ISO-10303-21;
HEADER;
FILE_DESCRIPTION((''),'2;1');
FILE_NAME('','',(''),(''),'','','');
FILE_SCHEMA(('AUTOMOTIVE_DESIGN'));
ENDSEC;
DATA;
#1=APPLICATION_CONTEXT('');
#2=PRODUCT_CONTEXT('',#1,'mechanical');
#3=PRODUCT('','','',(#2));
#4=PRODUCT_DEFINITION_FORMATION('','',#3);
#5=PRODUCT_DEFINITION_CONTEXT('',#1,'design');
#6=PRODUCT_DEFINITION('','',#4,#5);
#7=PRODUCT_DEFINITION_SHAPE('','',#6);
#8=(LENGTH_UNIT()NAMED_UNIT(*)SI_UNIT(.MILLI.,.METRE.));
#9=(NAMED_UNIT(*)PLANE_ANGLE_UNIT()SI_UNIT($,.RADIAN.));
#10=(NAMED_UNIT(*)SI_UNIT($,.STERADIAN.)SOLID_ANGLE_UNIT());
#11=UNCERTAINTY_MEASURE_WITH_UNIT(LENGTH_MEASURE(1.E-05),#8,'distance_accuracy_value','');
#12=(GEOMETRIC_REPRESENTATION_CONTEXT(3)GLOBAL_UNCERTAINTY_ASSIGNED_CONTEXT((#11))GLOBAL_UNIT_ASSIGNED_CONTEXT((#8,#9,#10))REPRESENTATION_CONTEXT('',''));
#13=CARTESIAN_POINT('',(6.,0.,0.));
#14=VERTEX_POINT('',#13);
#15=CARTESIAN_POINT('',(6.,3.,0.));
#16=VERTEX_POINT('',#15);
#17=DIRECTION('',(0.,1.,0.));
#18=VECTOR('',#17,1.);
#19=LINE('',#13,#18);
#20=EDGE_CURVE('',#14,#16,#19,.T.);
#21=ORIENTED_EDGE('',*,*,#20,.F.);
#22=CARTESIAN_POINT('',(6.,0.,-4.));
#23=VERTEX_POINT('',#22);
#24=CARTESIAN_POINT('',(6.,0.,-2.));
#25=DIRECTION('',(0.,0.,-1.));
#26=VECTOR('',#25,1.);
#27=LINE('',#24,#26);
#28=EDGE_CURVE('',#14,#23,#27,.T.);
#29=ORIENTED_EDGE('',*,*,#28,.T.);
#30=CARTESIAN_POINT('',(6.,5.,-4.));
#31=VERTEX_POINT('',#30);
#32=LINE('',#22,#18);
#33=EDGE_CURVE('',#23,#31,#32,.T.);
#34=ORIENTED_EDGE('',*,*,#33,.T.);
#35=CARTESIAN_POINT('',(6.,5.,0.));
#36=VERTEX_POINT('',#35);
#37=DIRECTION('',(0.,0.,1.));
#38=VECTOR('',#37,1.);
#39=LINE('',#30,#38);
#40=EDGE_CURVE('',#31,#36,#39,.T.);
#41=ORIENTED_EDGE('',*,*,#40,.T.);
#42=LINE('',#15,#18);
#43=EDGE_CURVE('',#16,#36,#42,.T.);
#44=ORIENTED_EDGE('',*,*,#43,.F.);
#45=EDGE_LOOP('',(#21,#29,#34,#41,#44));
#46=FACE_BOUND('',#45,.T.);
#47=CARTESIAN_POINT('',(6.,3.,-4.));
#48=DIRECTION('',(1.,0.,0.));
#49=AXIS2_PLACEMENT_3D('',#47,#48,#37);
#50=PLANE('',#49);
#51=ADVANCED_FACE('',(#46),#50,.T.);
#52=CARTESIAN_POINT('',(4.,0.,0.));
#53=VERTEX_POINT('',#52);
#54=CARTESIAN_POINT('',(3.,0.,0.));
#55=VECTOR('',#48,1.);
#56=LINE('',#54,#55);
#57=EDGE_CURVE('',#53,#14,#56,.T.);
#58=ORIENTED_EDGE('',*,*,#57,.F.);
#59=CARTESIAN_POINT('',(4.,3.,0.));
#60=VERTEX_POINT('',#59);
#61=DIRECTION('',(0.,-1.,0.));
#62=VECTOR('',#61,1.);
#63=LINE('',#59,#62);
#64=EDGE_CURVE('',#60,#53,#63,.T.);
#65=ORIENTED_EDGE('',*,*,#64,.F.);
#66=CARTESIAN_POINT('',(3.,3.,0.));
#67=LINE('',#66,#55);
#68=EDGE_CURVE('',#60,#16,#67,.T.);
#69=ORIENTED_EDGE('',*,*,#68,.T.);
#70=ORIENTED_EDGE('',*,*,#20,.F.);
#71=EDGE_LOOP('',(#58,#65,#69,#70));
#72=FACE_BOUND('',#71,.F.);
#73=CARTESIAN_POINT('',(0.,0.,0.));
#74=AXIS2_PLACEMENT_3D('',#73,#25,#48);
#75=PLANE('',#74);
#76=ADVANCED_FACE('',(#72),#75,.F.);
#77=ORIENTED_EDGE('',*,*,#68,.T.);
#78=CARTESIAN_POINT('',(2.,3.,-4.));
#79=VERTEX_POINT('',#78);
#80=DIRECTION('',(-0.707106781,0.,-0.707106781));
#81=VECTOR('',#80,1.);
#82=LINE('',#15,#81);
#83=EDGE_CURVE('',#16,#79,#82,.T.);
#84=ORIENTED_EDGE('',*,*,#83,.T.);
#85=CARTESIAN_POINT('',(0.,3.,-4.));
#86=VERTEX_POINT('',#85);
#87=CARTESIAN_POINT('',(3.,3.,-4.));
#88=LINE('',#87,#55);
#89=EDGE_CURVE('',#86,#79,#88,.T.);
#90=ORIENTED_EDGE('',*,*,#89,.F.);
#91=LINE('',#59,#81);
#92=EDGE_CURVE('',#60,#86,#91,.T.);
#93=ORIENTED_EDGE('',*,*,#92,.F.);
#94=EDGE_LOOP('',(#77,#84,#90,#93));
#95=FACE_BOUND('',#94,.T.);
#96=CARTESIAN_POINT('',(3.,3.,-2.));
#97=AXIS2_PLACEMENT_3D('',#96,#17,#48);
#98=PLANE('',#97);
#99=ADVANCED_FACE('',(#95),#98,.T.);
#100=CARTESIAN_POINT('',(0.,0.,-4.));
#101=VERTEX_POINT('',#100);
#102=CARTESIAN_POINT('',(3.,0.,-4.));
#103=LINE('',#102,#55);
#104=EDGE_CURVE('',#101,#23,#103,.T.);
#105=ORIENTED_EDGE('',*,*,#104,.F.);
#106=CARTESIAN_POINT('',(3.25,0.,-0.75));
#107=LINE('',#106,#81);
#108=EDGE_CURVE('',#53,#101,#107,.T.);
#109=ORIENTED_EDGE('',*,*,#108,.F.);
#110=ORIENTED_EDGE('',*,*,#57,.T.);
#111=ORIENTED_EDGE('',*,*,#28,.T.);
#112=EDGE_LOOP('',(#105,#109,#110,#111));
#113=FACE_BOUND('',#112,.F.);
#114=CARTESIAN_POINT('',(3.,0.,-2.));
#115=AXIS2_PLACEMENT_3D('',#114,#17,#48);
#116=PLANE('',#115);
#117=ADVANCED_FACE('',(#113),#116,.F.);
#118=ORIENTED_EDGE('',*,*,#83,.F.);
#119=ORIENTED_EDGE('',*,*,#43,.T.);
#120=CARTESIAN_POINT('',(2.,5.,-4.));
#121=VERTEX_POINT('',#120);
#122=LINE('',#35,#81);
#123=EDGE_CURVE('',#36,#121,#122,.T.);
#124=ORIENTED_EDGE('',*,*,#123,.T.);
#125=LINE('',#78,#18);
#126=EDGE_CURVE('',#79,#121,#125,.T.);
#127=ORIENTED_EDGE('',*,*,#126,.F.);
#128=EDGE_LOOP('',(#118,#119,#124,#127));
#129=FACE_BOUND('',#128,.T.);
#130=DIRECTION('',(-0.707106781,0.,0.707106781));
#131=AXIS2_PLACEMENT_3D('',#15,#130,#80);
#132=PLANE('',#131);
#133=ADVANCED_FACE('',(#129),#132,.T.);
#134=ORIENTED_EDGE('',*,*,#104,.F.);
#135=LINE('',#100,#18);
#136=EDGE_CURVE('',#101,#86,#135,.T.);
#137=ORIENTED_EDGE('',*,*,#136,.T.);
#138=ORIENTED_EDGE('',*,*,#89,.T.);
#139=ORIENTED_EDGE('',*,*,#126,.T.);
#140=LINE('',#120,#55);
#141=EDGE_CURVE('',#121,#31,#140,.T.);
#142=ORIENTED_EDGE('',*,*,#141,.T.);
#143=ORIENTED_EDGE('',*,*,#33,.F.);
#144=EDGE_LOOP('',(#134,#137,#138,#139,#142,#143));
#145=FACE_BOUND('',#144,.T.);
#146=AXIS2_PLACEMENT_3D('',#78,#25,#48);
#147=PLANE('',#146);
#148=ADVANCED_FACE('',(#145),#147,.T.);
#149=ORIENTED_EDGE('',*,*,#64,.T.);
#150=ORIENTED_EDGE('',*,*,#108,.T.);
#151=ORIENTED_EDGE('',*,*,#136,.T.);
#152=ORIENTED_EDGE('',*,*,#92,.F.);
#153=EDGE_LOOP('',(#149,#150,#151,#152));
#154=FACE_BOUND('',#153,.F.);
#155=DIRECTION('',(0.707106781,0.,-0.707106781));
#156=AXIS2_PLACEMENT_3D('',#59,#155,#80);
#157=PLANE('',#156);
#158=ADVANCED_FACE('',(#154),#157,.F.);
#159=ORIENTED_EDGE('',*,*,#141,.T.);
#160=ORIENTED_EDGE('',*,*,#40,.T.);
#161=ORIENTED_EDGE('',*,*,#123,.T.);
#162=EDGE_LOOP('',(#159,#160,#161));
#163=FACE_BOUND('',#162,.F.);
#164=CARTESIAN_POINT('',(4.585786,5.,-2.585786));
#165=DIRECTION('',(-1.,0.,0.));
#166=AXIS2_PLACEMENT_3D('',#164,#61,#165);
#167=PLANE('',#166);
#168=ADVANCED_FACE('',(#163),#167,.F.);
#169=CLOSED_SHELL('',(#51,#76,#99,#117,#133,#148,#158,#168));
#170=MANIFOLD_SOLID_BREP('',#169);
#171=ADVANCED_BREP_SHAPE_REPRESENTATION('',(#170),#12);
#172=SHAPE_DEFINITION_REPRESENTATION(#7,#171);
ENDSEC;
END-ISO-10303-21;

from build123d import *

# Parameters (mm, degrees)
SKETCH1_W           = 6
SKETCH1_H           = 4
BOSS_EXTRUDE1_DEPTH = 3
BOSS_EXTRUDE2_DEPTH = 2
CUT_EXTRUDE1_DEPTH  = 10


with BuildPart() as part:
    # Sketch1 → Boss-Extrude1 (new body)
    with BuildSketch(Plane(origin=(0, 0, 0), x_dir=(1, 0, 0), z_dir=(0, 1, 0))):
        with Locations((3, 2)):
            Rectangle(SKETCH1_W, SKETCH1_H)
    extrude(amount=BOSS_EXTRUDE1_DEPTH)

    # Sketch3 → Boss-Extrude2 (add)
    with BuildSketch(Plane(origin=(0, 3, 0), x_dir=(1, 0, 0), z_dir=(0, 1, 0))):
        Polygon((6, 4), (6, 0), (2, 4), align=None)
    extrude(amount=BOSS_EXTRUDE2_DEPTH)

    # Sketch4 → Cut-Extrude1 (cut)
    with BuildSketch(Plane(origin=(0, 3, 0), x_dir=(1, 0, 0), z_dir=(0, 1, 0))):
        Polygon((4, 0), (0, 4), (0, 0), align=None)
    extrude(amount=-CUT_EXTRUDE1_DEPTH, mode=Mode.SUBTRACT)


solid = part.part
